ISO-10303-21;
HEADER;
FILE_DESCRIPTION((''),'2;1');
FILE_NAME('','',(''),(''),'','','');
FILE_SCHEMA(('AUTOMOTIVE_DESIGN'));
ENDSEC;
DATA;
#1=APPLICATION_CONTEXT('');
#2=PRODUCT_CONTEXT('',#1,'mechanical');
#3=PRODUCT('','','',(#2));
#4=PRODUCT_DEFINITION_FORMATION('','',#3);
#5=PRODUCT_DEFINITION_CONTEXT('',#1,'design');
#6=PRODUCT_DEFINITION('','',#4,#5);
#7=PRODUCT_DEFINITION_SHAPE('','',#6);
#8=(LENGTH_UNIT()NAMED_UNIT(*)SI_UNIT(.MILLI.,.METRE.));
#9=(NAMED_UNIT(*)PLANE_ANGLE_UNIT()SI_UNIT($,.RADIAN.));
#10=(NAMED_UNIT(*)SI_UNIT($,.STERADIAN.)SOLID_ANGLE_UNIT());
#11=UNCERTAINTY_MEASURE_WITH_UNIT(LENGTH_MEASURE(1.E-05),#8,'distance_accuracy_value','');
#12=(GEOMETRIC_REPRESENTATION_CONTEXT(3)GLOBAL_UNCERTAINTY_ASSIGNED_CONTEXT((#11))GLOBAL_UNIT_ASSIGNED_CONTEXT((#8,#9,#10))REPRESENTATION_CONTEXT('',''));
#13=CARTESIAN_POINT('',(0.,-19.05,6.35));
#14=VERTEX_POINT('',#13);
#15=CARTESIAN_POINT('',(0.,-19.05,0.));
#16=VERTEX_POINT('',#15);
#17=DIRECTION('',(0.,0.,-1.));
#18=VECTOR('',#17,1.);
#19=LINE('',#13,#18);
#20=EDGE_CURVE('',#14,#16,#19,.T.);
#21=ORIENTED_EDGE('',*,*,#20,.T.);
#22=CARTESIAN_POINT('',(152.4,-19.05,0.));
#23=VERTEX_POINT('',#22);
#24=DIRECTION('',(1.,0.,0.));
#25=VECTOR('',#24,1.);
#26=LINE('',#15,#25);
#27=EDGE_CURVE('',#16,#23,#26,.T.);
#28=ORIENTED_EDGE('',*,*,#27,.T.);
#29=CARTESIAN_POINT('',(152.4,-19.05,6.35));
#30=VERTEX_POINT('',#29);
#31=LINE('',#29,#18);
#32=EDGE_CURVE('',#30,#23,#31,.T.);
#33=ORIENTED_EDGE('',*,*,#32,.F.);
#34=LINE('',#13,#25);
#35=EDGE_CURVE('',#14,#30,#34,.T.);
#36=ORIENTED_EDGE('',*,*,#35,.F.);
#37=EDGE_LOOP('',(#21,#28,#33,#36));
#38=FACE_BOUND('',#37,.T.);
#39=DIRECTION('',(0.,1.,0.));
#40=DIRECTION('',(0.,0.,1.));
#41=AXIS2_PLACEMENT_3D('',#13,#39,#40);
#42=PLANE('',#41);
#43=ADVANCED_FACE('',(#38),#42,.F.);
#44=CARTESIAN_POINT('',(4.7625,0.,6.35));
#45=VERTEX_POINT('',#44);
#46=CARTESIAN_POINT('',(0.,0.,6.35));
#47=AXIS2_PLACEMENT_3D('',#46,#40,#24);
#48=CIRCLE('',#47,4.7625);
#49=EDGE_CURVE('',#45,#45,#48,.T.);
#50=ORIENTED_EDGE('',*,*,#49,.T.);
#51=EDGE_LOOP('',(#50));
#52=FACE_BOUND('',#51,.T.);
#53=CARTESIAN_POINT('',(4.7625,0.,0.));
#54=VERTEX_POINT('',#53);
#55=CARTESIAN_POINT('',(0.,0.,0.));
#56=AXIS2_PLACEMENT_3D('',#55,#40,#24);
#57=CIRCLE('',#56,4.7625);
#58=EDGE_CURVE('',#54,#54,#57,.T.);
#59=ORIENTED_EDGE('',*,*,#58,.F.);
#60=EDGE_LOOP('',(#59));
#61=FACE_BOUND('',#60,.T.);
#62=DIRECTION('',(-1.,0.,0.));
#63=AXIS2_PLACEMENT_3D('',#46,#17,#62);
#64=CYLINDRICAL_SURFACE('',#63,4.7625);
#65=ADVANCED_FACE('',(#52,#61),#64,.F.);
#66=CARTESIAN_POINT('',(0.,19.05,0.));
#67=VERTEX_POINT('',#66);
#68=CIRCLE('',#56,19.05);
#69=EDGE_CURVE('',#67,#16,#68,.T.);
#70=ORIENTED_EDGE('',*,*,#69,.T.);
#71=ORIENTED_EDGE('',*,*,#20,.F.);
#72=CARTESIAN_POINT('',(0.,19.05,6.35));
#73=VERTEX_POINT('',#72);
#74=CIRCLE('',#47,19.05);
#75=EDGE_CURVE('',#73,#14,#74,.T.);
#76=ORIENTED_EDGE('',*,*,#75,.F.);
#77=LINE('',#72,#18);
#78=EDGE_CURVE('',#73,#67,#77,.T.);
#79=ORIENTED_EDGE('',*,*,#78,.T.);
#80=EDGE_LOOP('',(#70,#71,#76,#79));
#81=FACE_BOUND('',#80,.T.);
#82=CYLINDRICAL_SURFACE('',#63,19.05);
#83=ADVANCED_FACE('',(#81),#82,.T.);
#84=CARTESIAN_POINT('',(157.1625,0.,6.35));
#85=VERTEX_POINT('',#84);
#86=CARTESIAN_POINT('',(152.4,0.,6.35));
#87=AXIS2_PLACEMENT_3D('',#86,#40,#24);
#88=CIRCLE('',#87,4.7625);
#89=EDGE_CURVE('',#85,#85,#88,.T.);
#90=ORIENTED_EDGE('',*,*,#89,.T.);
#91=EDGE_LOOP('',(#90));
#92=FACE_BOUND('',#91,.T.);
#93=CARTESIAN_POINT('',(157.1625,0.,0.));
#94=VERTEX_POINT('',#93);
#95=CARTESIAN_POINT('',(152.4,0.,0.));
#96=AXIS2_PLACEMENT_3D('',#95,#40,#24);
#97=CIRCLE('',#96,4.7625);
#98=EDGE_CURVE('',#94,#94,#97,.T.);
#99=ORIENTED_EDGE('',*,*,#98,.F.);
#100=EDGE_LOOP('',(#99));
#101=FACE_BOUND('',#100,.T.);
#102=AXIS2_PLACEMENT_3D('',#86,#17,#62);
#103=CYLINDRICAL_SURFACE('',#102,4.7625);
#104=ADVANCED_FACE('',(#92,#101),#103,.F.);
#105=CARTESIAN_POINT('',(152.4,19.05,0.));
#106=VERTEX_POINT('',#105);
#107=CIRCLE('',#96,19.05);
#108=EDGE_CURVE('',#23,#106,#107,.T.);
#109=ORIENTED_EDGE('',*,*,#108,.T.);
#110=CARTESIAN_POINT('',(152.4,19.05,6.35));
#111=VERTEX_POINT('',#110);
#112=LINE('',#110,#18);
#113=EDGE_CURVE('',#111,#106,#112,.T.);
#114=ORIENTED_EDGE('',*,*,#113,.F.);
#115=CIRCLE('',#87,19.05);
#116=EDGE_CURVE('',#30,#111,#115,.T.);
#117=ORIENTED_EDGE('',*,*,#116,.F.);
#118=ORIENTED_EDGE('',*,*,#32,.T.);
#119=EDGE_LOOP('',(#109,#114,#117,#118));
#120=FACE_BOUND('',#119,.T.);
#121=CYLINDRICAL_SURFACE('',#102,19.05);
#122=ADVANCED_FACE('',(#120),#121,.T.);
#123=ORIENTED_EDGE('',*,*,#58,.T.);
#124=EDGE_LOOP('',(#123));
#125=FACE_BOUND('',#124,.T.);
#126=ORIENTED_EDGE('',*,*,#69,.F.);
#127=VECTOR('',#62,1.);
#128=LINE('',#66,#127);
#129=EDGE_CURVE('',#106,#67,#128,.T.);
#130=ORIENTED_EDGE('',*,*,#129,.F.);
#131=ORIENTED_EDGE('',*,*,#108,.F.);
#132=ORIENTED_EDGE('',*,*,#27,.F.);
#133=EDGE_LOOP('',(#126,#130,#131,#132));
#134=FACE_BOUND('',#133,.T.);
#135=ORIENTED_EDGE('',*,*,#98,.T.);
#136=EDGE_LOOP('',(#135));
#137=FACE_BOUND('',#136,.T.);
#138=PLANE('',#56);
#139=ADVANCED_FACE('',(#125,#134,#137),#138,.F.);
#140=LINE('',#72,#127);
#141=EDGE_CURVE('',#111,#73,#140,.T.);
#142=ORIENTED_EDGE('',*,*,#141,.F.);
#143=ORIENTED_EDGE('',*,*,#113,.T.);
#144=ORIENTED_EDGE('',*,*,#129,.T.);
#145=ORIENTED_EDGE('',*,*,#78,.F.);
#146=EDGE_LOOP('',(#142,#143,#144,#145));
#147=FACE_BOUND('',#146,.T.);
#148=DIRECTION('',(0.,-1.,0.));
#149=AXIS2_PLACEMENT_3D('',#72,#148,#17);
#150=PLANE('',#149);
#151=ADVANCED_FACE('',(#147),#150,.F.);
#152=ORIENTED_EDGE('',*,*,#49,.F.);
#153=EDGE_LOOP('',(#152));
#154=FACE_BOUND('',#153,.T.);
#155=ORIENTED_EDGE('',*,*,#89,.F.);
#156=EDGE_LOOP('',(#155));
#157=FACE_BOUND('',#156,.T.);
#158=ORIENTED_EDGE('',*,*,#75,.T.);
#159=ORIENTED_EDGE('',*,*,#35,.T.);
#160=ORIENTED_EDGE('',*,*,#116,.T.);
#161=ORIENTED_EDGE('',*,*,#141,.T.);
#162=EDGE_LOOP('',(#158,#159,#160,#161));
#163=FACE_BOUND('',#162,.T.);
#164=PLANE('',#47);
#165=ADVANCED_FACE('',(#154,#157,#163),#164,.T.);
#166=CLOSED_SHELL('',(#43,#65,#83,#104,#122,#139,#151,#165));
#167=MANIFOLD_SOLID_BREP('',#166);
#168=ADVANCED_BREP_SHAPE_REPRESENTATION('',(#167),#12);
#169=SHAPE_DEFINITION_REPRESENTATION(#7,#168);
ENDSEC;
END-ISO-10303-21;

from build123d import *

# Parameters (mm, degrees)
SKETCH1_R           = 4.7625
BOSS_EXTRUDE1_DEPTH = 6.35


with BuildPart() as part:
    # Sketch1 → Boss-Extrude1 (new body)
    with BuildSketch(Plane.XY):
        with BuildLine():
            Line((0, 19.05), (152.4, 19.05))
            ThreePointArc((152.4, 19.05), (171.45, 0), (152.4, -19.05))
            Line((152.4, -19.05), (0, -19.05))
            ThreePointArc((0, -19.05), (-19.05, 0), (0, 19.05))
        make_face()
        Circle(SKETCH1_R, mode=Mode.SUBTRACT)
        with Locations((152.4, 0)):
            Circle(SKETCH1_R, mode=Mode.SUBTRACT)
    extrude(amount=BOSS_EXTRUDE1_DEPTH)


solid = part.part
